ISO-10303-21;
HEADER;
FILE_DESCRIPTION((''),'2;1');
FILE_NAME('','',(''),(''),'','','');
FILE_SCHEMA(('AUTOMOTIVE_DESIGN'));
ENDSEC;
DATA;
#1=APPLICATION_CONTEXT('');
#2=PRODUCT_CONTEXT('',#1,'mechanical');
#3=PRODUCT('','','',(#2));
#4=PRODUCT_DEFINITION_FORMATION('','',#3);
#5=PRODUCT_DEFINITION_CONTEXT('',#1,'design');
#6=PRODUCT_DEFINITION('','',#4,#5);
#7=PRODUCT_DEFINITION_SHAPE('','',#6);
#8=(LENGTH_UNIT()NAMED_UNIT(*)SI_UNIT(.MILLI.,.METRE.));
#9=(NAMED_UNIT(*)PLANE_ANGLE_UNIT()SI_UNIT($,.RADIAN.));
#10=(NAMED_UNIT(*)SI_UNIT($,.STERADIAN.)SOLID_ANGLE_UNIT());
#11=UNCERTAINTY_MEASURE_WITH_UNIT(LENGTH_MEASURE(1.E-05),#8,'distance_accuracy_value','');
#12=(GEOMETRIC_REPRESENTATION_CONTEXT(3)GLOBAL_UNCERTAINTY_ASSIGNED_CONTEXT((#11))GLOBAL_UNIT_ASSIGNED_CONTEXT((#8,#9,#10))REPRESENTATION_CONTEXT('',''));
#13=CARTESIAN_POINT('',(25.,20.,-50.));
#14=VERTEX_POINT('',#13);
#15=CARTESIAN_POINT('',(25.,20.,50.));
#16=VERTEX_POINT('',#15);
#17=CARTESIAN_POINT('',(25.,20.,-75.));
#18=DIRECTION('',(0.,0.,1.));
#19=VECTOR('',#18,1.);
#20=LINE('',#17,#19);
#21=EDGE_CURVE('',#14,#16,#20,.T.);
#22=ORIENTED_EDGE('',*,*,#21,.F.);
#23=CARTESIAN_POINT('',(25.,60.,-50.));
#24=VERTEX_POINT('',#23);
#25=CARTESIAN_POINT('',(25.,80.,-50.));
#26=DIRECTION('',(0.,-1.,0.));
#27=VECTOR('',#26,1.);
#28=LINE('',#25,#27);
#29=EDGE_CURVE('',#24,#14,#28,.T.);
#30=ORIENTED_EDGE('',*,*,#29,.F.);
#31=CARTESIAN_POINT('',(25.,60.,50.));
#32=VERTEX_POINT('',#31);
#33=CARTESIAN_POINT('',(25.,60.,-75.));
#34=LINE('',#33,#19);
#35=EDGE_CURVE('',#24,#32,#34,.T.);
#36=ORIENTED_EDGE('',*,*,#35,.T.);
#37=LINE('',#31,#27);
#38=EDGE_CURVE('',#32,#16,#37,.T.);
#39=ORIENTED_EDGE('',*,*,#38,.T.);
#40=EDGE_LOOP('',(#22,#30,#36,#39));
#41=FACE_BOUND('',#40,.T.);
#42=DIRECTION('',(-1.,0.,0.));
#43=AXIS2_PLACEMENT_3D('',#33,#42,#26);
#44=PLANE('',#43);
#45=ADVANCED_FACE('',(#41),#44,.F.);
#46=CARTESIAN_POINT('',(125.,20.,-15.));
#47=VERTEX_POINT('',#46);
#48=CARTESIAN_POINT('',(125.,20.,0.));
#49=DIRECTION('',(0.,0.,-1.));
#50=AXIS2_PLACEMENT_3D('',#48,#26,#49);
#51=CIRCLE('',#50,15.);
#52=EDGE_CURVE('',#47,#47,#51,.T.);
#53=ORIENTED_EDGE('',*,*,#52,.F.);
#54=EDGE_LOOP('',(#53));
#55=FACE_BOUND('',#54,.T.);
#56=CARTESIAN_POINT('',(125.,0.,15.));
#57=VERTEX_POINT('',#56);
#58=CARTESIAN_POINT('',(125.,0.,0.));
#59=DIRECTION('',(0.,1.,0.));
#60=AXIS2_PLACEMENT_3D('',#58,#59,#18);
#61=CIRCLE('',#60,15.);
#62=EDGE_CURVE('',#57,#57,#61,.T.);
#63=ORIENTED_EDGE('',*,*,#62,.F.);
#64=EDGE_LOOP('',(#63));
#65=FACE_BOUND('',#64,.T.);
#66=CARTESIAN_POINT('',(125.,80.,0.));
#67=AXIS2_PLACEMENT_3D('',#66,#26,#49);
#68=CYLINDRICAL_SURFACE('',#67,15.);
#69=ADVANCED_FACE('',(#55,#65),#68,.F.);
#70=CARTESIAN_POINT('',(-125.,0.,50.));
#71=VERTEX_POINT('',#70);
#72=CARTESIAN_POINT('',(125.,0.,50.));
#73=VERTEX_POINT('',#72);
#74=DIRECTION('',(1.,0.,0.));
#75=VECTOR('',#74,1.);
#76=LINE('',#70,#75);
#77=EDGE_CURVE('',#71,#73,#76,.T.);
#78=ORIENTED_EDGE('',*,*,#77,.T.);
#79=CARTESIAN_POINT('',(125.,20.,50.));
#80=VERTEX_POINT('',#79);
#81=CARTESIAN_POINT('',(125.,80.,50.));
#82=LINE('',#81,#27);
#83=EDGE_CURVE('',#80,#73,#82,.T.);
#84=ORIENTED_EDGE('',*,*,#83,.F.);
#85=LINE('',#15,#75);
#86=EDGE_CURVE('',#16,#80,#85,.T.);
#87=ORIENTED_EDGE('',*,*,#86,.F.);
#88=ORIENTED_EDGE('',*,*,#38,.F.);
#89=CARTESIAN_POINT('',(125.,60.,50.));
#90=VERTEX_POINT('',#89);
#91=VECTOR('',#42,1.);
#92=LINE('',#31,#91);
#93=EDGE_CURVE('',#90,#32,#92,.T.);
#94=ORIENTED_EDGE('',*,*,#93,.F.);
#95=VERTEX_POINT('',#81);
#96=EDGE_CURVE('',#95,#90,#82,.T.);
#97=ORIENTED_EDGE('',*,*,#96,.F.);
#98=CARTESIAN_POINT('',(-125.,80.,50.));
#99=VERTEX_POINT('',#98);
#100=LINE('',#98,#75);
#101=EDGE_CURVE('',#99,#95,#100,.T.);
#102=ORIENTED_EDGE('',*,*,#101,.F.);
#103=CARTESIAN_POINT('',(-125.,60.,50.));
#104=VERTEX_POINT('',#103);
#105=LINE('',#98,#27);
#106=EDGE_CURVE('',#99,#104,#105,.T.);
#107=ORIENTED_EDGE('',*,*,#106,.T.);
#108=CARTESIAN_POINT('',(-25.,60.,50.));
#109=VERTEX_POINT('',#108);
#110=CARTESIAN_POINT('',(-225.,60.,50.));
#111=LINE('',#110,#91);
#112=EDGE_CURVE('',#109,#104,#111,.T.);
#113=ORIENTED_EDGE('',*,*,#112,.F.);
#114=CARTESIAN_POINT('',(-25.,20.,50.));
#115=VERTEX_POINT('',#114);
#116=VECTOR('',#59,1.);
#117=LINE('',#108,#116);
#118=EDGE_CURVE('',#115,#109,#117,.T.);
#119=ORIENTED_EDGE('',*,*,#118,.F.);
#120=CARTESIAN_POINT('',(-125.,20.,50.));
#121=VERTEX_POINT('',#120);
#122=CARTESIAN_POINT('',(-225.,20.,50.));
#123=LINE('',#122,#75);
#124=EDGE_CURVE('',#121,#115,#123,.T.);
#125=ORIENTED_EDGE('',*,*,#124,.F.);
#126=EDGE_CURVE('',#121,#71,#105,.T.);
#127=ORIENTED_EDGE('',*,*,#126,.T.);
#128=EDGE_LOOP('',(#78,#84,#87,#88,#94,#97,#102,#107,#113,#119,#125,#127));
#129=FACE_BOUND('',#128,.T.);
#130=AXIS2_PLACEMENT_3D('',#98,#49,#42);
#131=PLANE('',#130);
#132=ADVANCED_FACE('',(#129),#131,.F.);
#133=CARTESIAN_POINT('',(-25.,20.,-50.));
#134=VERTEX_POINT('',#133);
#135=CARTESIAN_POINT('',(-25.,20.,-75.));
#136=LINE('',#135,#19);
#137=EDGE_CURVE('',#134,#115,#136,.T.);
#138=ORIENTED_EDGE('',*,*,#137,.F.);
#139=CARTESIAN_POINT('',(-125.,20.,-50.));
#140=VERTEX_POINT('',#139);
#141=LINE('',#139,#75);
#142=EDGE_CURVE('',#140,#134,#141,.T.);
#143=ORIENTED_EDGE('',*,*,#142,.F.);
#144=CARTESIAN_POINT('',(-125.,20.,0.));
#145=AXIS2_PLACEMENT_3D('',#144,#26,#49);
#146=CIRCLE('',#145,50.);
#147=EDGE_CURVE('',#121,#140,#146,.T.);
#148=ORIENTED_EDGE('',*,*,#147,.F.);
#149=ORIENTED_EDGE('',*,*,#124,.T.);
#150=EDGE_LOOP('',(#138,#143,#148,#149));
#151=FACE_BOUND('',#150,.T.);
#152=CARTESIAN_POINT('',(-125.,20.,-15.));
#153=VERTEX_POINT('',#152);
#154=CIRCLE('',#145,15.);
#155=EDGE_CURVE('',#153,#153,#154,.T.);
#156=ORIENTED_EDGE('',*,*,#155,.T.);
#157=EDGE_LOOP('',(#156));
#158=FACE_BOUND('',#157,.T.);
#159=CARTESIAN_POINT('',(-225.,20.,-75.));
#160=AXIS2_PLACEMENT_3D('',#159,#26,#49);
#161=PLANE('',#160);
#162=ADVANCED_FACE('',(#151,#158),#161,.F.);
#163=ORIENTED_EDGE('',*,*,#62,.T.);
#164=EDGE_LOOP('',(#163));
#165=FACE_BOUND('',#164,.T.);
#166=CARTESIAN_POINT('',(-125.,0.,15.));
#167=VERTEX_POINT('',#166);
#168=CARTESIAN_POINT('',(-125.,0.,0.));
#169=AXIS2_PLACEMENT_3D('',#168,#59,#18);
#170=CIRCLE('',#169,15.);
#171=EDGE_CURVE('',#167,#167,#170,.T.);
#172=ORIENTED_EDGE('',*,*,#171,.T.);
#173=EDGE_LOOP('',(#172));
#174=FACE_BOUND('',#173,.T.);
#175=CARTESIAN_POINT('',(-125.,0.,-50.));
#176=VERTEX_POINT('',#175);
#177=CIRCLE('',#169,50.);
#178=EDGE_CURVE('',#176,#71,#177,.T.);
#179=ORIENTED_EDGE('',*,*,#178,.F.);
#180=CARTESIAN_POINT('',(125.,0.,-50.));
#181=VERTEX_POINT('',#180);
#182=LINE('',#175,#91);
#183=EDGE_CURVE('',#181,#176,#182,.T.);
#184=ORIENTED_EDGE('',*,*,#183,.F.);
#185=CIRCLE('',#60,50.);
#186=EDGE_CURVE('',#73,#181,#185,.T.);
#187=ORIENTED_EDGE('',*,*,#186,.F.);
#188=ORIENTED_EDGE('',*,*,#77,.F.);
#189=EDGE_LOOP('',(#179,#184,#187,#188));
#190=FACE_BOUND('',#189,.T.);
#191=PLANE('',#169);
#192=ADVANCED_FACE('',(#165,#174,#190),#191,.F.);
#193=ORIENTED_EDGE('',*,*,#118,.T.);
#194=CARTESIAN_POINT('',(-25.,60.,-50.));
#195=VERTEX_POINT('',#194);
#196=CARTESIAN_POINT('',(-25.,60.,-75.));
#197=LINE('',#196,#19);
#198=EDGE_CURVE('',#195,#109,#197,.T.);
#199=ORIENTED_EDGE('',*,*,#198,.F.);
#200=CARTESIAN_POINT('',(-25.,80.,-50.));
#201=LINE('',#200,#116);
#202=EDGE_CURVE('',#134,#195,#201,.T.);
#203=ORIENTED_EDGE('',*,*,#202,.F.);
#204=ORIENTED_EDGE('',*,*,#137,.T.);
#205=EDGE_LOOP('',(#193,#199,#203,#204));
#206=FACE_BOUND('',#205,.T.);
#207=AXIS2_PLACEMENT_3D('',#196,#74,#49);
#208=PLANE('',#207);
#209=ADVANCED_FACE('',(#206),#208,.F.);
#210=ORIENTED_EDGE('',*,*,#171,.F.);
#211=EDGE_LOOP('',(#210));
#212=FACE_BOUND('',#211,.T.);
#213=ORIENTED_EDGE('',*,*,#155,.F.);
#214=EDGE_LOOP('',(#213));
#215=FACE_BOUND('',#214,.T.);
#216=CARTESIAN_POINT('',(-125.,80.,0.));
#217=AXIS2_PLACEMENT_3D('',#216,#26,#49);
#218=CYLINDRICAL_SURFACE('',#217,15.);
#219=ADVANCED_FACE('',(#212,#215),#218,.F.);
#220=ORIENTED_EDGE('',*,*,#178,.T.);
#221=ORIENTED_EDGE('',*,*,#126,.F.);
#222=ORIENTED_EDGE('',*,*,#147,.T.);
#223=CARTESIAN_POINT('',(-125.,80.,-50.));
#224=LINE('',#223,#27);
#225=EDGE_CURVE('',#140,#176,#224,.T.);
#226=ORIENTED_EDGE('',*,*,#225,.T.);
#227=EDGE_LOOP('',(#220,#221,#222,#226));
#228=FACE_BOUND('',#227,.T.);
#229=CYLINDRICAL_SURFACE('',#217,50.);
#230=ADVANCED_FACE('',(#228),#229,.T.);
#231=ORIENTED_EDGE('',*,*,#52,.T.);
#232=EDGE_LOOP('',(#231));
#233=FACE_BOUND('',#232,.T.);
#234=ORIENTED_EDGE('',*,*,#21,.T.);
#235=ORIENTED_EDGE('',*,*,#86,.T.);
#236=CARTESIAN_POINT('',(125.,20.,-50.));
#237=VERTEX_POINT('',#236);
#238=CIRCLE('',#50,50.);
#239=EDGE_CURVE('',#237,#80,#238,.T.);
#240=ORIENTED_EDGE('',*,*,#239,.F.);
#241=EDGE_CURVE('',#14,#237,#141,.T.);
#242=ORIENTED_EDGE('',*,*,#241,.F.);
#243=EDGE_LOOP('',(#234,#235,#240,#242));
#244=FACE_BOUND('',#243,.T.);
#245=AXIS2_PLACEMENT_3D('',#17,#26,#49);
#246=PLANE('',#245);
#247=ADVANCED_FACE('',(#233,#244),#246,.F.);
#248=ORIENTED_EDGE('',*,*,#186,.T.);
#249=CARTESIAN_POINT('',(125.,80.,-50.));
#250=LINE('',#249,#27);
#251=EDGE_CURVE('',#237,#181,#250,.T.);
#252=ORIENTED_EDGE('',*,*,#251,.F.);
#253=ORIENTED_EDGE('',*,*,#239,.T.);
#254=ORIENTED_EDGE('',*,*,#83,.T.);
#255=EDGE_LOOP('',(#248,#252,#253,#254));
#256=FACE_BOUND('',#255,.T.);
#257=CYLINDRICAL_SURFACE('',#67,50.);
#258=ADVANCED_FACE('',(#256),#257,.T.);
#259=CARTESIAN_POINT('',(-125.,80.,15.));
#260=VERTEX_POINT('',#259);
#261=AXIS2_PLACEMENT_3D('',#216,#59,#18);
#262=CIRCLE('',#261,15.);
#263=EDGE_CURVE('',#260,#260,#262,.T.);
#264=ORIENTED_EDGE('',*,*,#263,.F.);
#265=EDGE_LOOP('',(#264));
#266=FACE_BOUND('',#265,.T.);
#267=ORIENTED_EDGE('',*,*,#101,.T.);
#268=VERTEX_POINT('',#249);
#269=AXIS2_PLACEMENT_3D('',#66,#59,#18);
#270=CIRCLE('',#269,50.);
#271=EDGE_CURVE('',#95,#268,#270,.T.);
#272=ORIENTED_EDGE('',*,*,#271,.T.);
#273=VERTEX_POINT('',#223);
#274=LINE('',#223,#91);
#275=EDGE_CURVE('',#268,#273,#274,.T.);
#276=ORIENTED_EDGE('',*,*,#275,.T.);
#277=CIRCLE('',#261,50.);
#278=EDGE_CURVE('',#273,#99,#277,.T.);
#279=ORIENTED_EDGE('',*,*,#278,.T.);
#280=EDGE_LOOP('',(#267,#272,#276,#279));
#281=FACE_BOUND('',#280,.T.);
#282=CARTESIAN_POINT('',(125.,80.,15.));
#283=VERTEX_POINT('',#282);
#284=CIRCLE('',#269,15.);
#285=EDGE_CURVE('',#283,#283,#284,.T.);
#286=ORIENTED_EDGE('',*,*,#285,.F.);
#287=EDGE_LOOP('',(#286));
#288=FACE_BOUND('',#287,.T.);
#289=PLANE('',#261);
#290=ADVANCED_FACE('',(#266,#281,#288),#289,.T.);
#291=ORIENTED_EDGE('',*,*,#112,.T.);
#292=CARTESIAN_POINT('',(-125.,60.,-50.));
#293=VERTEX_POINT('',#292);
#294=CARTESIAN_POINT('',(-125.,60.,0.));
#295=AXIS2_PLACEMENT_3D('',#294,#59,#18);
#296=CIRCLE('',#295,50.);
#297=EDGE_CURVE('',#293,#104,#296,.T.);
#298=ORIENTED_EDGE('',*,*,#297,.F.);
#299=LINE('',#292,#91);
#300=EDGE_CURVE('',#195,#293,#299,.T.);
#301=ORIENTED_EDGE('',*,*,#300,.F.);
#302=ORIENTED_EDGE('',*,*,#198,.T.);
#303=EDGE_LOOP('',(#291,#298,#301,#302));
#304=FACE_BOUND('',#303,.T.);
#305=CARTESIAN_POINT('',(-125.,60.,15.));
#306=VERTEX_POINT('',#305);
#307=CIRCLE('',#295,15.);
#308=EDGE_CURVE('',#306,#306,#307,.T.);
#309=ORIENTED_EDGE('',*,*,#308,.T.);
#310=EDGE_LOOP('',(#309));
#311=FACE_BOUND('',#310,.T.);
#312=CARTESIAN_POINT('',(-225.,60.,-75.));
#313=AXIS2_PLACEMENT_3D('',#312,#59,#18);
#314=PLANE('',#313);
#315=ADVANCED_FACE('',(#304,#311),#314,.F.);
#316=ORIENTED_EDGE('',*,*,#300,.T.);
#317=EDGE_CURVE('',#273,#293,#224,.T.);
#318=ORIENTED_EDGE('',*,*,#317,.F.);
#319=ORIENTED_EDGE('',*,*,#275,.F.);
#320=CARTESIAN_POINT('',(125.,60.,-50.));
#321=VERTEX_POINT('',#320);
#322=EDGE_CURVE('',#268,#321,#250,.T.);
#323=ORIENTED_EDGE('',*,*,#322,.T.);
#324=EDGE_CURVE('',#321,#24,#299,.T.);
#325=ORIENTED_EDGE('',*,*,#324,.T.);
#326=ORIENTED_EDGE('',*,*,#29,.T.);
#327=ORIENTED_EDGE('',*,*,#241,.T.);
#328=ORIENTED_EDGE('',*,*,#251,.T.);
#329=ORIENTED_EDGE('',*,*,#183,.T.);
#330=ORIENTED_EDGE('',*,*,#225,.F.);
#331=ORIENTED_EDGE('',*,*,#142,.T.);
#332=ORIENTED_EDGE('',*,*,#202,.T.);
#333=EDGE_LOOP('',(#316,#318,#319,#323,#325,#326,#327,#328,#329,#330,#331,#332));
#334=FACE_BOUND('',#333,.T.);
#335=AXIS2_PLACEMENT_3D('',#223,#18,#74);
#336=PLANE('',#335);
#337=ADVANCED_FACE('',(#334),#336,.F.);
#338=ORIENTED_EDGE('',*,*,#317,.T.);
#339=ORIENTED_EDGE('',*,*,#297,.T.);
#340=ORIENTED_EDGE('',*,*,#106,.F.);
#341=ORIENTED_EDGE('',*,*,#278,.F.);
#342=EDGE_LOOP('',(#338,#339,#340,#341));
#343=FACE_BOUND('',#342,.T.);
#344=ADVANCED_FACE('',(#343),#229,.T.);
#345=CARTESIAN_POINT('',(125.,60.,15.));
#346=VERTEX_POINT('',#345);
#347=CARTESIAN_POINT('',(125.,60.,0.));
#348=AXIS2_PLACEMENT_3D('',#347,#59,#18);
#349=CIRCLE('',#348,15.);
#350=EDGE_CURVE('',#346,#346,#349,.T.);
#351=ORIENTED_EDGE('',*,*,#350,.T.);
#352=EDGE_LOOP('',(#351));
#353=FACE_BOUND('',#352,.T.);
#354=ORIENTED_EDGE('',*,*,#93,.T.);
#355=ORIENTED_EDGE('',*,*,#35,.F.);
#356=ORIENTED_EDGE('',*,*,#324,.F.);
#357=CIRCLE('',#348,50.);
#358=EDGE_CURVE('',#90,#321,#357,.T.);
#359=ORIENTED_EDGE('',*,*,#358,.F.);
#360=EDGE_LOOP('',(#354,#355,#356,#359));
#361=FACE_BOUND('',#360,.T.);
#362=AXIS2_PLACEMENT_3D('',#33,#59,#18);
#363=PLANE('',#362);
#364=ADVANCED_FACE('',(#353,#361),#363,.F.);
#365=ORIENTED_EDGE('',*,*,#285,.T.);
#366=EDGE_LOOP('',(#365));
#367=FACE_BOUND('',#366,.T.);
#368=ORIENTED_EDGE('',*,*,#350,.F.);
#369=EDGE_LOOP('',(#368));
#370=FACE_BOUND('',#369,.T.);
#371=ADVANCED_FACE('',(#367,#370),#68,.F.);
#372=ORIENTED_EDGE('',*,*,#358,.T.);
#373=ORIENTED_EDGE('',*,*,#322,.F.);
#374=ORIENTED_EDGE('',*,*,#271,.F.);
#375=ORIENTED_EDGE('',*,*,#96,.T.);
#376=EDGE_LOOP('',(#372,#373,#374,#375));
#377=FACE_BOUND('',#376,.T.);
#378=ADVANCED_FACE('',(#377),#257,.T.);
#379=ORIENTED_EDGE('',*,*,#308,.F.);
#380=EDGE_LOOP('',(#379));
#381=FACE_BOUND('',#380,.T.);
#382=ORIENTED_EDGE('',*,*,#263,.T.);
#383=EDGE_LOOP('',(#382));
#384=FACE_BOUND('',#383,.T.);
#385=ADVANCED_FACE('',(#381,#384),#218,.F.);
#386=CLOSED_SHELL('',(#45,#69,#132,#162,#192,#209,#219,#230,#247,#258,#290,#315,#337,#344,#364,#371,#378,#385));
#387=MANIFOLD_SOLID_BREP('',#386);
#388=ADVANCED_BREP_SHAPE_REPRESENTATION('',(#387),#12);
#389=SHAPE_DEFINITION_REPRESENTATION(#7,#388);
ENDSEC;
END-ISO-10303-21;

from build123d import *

# Parameters (mm, degrees)
SKETCH_1_R          = 15
EXTRUDE_1_DEPTH     = 80
SKETCH_2_W          = 200
SKETCH_2_H          = 40
CUT_EXTRUDE_1_DEPTH = 125


with BuildPart() as part:
    # 草图1 → 凸台-拉伸1 (new body)
    with BuildSketch(Plane(origin=(0, 0, 0), x_dir=(1, 0, 0), z_dir=(0, 1, 0))):
        with BuildLine():
            Line((-125, 50), (125, 50))
            ThreePointArc((125, 50), (175, 0), (125, -50))
            Line((125, -50), (-125, -50))
            ThreePointArc((-125, -50), (-175, 0), (-125, 50))
        make_face()
        with Locations(Location((-125, 0, 0), (0, 0, 270))):
            Circle(SKETCH_1_R, mode=Mode.SUBTRACT)
        with Locations(Location((125, 0, 0), (0, 0, 270))):
            Circle(SKETCH_1_R, mode=Mode.SUBTRACT)
    extrude(amount=EXTRUDE_1_DEPTH)

    # 草图2 → 切除-拉伸1 (cut)
    with BuildSketch(Plane.XY.offset(50)):
        with Locations((-125, 40)):
            Rectangle(SKETCH_2_W, SKETCH_2_H)
        with Locations((125, 40)):
            Rectangle(SKETCH_2_W, SKETCH_2_H)
    extrude(amount=-CUT_EXTRUDE_1_DEPTH, mode=Mode.SUBTRACT)


solid = part.part
